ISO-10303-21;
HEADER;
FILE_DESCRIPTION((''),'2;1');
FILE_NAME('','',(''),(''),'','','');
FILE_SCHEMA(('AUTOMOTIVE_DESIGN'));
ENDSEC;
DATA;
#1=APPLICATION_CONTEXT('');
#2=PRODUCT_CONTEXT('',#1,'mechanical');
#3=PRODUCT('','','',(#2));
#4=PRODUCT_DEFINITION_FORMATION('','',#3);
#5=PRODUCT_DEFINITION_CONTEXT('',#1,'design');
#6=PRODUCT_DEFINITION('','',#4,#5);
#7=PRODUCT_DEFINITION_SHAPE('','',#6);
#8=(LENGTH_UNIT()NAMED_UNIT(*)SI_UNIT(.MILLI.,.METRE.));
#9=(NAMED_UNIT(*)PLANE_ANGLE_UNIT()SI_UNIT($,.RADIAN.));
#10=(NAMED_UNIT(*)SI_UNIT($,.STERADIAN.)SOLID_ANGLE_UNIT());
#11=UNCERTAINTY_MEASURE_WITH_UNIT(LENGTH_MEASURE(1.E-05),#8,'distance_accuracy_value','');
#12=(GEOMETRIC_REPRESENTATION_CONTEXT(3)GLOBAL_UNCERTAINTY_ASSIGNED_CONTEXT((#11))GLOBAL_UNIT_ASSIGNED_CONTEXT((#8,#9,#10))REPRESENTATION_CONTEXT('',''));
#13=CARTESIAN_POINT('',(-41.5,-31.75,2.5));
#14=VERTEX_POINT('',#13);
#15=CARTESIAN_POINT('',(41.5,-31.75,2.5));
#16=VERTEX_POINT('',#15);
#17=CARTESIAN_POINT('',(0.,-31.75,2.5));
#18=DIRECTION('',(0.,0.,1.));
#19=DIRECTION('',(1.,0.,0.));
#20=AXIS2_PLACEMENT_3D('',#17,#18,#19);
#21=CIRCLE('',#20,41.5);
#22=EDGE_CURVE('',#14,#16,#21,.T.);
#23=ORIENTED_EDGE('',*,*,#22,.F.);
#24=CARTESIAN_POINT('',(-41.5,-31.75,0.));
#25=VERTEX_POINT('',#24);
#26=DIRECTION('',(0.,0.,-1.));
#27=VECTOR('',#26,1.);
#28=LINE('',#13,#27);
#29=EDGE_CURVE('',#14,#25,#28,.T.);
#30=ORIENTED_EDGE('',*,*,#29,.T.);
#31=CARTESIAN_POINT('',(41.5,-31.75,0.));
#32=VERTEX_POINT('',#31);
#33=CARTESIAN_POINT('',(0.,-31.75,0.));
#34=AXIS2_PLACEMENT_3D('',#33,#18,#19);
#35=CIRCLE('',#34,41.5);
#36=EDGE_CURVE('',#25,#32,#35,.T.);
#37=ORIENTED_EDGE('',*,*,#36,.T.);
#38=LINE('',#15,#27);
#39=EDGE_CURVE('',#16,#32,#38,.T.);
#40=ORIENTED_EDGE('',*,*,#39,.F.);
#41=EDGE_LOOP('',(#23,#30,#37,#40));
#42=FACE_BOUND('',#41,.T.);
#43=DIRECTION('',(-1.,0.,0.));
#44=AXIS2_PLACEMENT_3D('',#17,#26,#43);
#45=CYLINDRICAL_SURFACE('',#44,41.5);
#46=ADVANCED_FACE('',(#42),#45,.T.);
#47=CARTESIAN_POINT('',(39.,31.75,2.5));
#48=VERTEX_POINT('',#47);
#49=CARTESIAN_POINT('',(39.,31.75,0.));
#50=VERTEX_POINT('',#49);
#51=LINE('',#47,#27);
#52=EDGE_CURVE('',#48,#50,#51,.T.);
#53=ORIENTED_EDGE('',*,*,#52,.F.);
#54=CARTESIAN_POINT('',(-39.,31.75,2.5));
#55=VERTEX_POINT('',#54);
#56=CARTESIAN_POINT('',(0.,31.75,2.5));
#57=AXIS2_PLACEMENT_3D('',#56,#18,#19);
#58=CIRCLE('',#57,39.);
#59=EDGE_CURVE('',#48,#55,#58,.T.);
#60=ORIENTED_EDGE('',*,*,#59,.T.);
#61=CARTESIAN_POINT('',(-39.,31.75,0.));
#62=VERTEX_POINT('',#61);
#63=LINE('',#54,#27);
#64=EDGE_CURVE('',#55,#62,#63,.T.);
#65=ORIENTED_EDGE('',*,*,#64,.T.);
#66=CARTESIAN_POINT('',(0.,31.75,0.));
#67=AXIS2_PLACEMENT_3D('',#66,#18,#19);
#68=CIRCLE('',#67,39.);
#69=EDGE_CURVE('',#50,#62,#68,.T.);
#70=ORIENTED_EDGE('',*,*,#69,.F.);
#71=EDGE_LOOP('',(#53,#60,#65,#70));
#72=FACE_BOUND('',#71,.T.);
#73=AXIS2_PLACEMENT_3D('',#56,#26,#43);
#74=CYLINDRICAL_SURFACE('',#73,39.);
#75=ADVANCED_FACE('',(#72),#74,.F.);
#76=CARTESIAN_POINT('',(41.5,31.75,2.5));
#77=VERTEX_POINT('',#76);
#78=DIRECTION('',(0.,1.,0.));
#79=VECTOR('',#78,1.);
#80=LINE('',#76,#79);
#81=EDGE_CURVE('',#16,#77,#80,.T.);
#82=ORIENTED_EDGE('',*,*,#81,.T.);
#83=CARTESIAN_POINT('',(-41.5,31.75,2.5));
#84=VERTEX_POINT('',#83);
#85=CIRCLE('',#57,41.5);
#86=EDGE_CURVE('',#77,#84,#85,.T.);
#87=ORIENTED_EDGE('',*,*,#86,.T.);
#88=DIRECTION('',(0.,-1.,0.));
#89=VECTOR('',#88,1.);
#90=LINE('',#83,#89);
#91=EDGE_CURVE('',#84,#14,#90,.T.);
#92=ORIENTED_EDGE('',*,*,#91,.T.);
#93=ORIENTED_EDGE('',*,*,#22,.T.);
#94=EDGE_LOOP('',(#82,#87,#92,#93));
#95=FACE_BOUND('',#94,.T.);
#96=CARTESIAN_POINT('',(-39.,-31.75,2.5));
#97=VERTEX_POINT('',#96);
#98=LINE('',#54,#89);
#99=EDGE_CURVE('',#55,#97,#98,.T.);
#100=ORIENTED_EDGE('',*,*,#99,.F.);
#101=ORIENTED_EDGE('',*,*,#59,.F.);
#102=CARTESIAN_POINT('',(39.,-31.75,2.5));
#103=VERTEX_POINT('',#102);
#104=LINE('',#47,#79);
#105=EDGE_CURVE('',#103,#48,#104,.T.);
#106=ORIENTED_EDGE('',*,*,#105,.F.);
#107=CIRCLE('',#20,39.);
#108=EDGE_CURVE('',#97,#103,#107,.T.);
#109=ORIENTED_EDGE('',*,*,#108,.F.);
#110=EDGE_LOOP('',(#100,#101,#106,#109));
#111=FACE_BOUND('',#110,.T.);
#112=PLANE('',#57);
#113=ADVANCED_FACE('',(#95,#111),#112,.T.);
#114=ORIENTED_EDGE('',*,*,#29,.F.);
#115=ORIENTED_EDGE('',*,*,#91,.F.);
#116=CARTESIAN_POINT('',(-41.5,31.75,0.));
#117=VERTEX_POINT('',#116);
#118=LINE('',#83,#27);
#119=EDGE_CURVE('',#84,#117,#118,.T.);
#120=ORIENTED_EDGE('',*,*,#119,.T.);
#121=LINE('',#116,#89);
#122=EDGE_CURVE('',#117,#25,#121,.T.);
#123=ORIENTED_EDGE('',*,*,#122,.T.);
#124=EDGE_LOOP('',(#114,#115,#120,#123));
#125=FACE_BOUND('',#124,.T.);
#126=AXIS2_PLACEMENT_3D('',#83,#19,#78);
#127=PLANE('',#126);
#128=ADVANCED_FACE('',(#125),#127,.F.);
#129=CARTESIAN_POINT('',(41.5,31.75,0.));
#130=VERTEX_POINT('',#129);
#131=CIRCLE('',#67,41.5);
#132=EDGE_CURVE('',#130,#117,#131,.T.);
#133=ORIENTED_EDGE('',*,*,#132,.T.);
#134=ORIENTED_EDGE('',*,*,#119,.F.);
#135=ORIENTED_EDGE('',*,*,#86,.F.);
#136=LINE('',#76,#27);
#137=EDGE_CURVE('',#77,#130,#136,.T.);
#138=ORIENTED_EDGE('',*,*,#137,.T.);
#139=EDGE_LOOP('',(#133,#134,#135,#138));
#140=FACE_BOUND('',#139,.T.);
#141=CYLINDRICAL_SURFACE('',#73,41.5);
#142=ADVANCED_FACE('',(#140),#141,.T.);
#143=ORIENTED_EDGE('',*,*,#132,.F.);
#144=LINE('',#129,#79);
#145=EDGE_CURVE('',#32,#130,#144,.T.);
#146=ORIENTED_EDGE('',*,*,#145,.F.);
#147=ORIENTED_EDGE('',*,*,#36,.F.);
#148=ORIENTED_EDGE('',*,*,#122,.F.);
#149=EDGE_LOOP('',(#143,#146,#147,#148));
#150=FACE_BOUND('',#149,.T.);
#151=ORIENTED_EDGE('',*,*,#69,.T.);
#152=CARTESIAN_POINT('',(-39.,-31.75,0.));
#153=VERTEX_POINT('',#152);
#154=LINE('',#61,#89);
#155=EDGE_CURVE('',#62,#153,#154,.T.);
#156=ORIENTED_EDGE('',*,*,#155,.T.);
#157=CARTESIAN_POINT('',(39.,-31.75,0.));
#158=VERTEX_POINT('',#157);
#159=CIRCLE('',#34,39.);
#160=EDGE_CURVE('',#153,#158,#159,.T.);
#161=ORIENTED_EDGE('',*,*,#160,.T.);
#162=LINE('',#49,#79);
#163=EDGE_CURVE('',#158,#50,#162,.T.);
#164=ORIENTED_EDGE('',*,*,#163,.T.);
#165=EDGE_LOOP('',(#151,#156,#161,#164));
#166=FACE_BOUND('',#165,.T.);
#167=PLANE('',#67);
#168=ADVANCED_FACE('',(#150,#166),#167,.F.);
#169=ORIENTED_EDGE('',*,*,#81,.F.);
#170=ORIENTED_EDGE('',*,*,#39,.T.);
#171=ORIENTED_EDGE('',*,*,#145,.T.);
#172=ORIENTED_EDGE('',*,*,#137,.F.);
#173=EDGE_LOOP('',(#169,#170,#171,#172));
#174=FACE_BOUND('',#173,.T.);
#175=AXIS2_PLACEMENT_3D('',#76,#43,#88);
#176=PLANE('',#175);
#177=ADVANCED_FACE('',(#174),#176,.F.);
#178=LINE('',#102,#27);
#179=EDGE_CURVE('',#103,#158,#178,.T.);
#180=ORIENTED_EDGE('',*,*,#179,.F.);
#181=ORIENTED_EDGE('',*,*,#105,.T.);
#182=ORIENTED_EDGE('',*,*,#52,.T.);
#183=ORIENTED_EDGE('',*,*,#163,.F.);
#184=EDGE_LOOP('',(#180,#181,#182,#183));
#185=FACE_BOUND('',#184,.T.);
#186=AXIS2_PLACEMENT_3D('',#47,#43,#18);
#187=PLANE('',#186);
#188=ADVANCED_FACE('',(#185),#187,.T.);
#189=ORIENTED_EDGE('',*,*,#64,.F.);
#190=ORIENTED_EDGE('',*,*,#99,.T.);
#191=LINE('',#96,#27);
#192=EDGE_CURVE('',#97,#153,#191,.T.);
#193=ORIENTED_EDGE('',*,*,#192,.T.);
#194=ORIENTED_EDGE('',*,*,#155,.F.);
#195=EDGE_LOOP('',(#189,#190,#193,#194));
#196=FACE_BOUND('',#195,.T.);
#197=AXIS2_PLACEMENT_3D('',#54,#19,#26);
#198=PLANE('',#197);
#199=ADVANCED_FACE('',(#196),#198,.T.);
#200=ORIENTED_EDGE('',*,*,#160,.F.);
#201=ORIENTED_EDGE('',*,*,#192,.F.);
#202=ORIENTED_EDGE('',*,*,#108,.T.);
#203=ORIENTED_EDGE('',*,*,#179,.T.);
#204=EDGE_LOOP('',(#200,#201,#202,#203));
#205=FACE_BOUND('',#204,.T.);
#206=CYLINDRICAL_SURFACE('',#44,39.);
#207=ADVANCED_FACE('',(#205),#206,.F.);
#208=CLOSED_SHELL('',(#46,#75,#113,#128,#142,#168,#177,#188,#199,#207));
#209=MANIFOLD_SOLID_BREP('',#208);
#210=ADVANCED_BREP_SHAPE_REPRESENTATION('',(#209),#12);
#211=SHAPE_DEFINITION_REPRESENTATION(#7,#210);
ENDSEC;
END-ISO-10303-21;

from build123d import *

# Parameters (mm, degrees)
BOSS_EXTRUDE1_DEPTH = 2.5


with BuildPart() as part:
    # Sketch1 → Boss-Extrude1 (new body)
    with BuildSketch(Plane.XY):
        with BuildLine():
            Line((41.5, 31.75), (41.5, -31.75))
            ThreePointArc((41.5, -31.75), (0, -73.25), (-41.5, -31.75))
            Line((-41.5, -31.75), (-41.5, 31.75))
            ThreePointArc((-41.5, 31.75), (0, 73.25), (41.5, 31.75))
        make_face()
        with BuildLine():
            Line((39, 31.75), (39, -31.75))
            ThreePointArc((39, -31.75), (0, -70.75), (-39, -31.75))
            Line((-39, -31.75), (-39, 31.75))
            ThreePointArc((-39, 31.75), (0, 70.75), (39, 31.75))
        make_face(mode=Mode.SUBTRACT)
    extrude(amount=BOSS_EXTRUDE1_DEPTH)


solid = part.part
